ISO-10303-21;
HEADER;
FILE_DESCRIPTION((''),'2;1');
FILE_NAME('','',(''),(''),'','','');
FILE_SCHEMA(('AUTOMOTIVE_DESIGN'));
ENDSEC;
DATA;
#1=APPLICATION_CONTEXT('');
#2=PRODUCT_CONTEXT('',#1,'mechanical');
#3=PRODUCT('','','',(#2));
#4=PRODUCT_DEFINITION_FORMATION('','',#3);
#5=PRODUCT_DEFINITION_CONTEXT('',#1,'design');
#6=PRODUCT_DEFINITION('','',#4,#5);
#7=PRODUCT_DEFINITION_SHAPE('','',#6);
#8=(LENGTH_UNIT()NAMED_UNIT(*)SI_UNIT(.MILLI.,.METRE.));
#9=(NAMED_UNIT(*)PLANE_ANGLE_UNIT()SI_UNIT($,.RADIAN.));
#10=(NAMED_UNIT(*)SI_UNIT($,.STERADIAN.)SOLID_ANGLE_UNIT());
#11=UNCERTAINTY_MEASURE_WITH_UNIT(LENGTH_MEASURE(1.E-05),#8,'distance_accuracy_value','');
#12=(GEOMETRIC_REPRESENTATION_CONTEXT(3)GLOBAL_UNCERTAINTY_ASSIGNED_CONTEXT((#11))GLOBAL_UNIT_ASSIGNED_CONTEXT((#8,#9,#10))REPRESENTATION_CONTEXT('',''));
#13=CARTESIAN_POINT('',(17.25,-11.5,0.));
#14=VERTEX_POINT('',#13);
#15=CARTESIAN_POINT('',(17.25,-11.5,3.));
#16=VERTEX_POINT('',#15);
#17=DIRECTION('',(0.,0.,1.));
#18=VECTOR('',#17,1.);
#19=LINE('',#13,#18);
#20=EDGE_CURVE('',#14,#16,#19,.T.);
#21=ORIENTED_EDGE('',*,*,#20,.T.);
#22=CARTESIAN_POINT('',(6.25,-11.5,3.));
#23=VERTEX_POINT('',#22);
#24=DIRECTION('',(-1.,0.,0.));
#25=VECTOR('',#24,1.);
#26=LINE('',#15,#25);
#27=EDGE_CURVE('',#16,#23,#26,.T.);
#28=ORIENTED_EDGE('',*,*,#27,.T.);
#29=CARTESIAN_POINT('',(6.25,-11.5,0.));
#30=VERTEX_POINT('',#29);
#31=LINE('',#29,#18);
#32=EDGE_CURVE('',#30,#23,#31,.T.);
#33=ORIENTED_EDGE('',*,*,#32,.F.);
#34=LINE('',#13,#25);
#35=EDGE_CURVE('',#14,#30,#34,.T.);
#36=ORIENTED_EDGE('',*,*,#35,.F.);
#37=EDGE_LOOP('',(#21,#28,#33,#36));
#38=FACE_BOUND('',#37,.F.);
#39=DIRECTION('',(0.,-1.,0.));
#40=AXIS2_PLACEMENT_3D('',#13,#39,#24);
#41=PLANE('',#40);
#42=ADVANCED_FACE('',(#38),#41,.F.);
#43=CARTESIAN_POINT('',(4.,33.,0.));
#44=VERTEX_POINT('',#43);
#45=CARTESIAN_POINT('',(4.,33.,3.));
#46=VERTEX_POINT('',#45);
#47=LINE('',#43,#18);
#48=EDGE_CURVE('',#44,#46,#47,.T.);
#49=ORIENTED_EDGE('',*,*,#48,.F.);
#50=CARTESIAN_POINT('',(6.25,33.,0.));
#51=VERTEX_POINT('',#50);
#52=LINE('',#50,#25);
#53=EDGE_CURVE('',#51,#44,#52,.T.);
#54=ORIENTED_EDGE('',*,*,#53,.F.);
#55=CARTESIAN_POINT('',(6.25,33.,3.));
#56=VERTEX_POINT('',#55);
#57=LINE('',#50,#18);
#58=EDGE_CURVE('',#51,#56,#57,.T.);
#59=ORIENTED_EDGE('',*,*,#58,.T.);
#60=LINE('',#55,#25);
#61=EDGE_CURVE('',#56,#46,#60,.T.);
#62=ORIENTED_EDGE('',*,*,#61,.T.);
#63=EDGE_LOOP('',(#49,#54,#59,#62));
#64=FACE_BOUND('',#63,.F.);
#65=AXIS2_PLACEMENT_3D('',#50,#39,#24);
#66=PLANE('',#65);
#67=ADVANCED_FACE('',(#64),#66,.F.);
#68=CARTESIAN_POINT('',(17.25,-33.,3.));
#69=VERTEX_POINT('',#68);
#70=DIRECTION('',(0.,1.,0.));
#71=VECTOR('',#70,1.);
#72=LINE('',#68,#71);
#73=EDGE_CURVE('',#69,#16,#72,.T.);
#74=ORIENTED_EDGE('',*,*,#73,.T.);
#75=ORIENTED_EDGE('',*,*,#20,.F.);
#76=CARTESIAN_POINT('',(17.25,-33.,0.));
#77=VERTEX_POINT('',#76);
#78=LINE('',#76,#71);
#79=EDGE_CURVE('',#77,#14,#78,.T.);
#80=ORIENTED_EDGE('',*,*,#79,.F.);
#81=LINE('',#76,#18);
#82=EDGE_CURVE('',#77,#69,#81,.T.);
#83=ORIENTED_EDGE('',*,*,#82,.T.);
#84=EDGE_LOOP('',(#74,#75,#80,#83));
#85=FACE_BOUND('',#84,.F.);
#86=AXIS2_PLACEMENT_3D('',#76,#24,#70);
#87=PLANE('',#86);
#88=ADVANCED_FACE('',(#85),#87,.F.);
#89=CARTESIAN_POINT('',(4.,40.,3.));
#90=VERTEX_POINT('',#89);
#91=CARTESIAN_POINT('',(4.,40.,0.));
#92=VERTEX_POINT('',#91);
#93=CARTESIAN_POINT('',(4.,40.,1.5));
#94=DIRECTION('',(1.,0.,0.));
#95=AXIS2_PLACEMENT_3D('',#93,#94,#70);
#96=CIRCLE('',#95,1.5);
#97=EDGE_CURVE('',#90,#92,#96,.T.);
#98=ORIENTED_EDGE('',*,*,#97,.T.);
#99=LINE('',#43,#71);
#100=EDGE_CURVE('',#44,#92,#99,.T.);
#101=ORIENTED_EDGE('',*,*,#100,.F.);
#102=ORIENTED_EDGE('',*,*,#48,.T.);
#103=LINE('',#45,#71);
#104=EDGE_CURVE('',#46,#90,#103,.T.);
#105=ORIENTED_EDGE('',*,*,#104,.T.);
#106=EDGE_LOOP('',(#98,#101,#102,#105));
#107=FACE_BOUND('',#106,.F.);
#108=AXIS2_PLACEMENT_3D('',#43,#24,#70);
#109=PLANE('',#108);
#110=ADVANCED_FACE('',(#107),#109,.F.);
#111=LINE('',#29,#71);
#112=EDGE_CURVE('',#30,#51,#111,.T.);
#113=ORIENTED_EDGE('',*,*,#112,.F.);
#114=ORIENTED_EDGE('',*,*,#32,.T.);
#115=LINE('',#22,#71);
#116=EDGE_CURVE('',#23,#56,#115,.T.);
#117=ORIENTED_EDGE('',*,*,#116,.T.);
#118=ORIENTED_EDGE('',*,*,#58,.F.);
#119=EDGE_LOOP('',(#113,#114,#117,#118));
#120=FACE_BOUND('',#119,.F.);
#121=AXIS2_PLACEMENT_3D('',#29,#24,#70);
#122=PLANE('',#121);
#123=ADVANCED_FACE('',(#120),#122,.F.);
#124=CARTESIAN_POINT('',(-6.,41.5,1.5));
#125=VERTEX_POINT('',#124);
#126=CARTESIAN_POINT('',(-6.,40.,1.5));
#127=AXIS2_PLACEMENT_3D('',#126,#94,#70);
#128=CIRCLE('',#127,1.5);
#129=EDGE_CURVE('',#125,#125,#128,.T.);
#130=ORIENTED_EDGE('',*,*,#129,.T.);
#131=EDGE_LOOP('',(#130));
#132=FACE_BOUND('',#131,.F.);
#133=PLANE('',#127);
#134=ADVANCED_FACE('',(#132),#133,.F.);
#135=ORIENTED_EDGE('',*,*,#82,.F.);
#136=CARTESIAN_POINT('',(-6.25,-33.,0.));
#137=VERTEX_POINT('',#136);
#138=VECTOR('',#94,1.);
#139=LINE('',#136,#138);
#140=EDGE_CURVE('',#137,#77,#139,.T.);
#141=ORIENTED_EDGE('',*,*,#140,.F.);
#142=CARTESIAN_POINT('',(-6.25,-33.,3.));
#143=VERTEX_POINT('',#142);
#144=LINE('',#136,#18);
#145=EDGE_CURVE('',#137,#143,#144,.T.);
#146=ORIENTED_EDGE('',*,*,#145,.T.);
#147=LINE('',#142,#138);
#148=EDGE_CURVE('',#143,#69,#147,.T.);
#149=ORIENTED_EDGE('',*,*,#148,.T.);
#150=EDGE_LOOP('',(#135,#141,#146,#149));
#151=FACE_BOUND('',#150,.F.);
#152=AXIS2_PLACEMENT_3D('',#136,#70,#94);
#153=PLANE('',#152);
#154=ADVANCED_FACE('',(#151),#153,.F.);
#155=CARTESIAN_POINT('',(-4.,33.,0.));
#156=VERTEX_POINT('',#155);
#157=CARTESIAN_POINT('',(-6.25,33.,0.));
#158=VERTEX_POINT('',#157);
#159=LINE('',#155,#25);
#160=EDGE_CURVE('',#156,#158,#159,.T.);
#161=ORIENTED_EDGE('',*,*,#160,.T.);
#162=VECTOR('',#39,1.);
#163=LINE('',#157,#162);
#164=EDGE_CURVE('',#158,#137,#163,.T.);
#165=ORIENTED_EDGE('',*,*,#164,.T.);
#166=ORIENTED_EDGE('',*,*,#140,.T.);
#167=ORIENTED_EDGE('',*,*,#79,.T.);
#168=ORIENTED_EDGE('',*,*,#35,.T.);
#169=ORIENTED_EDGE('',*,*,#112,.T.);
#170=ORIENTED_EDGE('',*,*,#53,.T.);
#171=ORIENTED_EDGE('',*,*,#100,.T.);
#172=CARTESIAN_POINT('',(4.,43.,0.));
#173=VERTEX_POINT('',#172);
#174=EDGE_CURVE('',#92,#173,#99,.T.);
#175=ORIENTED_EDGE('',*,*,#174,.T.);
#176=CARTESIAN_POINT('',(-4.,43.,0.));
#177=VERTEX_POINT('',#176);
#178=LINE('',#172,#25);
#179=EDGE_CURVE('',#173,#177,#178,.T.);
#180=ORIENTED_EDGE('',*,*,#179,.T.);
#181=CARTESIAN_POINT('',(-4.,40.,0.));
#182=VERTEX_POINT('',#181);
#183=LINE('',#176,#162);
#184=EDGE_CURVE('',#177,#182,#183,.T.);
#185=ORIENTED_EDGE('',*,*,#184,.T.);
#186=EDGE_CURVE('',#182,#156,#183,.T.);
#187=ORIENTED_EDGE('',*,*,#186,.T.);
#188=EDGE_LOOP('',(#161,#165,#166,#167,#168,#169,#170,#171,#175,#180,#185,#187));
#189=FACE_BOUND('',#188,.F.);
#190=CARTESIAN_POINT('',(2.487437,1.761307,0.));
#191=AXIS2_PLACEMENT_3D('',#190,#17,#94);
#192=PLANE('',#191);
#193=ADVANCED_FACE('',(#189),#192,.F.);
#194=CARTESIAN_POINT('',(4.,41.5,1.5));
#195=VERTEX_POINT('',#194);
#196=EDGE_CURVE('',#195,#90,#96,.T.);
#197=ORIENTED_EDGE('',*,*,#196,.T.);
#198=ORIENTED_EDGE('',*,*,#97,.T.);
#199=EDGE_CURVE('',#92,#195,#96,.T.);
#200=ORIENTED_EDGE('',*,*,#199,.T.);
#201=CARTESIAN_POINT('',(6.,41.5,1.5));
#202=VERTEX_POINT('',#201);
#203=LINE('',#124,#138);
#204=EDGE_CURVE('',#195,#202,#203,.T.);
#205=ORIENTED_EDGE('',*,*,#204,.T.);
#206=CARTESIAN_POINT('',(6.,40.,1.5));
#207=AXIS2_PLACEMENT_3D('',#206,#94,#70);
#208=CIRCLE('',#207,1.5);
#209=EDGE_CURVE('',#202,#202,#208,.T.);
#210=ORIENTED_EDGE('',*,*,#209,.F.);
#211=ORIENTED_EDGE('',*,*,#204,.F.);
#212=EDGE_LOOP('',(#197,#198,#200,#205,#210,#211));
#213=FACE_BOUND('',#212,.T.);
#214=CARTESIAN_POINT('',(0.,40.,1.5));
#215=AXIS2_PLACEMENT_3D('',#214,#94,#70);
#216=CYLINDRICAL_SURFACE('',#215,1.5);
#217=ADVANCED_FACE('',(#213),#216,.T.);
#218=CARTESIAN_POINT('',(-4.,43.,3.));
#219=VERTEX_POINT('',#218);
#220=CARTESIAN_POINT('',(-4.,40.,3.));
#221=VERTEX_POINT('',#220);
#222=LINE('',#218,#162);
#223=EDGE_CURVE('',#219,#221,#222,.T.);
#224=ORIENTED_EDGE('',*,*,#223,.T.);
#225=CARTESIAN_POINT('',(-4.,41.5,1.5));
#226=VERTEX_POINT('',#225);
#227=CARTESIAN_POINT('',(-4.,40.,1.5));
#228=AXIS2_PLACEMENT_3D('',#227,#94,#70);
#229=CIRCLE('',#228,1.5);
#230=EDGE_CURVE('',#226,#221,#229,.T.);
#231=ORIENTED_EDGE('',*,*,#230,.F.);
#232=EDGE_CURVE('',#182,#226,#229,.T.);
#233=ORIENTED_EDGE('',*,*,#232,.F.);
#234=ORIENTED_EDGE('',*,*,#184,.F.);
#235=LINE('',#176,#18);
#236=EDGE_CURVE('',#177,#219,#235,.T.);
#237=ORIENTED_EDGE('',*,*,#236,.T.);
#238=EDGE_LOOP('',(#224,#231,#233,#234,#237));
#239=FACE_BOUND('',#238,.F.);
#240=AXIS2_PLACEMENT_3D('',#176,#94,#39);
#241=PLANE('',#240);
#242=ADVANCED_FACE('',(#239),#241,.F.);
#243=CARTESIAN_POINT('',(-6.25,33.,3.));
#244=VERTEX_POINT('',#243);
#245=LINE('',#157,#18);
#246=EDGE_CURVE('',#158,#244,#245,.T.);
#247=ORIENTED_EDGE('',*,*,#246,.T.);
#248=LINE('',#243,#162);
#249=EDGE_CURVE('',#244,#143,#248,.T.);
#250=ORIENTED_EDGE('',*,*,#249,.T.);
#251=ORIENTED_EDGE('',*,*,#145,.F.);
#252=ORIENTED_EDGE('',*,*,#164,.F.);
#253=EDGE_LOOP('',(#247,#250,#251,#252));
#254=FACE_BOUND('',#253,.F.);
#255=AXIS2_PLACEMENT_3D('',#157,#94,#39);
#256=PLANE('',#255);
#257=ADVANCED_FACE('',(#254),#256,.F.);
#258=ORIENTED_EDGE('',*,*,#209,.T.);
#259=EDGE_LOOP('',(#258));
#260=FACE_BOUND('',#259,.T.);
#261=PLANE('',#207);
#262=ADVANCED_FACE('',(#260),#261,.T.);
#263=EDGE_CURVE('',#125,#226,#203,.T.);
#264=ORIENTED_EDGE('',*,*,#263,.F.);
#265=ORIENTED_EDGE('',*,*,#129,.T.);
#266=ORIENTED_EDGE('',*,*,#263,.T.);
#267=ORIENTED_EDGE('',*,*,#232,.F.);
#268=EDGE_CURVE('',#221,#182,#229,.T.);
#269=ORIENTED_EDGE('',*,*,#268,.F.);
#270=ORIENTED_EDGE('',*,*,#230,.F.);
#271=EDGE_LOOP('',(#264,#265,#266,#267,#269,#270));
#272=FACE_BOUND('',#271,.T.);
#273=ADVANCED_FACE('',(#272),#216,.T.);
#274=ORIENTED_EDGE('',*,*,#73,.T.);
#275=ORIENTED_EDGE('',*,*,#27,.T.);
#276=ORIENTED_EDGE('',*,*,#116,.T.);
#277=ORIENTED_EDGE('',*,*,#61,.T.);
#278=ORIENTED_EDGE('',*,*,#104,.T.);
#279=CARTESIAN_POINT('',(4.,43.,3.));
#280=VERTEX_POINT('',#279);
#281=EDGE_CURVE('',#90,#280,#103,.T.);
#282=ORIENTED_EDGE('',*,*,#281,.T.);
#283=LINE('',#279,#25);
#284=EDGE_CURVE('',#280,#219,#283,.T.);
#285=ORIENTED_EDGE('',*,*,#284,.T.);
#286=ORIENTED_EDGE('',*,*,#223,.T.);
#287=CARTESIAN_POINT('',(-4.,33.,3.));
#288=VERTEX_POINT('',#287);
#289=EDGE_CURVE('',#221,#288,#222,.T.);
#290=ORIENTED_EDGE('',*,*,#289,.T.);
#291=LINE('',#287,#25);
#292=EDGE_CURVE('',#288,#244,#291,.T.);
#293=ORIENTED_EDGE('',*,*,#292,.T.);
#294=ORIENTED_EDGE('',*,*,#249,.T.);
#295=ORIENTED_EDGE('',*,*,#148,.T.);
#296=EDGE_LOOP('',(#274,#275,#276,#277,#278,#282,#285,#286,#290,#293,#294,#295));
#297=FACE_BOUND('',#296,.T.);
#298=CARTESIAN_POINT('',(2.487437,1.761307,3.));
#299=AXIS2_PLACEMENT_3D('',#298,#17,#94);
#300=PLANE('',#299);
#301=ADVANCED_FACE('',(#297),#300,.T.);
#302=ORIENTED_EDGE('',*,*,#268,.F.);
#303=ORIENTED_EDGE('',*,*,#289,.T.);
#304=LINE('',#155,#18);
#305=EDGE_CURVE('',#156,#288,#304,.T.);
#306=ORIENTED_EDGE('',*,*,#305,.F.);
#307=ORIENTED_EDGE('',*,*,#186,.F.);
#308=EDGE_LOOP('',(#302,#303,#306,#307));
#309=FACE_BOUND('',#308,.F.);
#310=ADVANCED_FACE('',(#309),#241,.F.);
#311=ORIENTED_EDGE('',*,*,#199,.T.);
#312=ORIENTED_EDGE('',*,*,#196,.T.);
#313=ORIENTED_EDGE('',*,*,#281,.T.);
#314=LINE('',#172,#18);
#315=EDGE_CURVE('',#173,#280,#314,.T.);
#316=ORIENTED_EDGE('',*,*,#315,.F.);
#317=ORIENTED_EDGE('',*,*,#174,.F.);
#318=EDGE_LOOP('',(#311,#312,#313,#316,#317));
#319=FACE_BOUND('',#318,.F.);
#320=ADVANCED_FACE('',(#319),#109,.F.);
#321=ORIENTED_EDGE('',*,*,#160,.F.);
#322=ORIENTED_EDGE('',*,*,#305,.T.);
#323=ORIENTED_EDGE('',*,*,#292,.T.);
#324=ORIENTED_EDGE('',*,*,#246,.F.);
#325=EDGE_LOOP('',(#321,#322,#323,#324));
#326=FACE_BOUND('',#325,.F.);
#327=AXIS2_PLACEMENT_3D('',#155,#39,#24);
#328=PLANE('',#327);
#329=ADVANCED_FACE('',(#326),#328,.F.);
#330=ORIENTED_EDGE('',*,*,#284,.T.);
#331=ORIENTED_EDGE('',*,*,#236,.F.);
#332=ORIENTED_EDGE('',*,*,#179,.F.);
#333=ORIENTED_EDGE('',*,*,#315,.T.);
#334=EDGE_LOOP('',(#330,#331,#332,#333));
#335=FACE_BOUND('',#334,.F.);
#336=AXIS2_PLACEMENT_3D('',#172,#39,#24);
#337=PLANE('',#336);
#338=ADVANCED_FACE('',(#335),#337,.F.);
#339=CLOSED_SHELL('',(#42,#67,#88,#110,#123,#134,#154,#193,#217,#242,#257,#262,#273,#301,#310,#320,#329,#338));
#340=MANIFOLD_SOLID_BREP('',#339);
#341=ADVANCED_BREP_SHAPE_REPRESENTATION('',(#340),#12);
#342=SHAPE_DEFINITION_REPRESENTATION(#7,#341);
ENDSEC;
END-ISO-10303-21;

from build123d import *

# Parameters (mm, degrees)
PAD_DEPTH    = 3
SKETCH001_R  = 1.5
PAD001_DEPTH = 6


with BuildPart() as part:
    # Sketch → Pad (new body)
    with BuildSketch(Plane.XY):
        Polygon((-6.25, 33), (-6.25, -33), (17.25, -33), (17.25, -11.5), (6.25, -11.5), (6.25, 33), (4, 33), (4, 43), (-4, 43), (-4, 33), align=None)
    extrude(amount=PAD_DEPTH)

    # Sketch001 → Pad001 (join, symmetric)
    with BuildSketch(Plane.YZ):
        with Locations((40, 1.5)):
            Circle(SKETCH001_R)
    extrude(amount=PAD001_DEPTH, both=True)


solid = part.part
